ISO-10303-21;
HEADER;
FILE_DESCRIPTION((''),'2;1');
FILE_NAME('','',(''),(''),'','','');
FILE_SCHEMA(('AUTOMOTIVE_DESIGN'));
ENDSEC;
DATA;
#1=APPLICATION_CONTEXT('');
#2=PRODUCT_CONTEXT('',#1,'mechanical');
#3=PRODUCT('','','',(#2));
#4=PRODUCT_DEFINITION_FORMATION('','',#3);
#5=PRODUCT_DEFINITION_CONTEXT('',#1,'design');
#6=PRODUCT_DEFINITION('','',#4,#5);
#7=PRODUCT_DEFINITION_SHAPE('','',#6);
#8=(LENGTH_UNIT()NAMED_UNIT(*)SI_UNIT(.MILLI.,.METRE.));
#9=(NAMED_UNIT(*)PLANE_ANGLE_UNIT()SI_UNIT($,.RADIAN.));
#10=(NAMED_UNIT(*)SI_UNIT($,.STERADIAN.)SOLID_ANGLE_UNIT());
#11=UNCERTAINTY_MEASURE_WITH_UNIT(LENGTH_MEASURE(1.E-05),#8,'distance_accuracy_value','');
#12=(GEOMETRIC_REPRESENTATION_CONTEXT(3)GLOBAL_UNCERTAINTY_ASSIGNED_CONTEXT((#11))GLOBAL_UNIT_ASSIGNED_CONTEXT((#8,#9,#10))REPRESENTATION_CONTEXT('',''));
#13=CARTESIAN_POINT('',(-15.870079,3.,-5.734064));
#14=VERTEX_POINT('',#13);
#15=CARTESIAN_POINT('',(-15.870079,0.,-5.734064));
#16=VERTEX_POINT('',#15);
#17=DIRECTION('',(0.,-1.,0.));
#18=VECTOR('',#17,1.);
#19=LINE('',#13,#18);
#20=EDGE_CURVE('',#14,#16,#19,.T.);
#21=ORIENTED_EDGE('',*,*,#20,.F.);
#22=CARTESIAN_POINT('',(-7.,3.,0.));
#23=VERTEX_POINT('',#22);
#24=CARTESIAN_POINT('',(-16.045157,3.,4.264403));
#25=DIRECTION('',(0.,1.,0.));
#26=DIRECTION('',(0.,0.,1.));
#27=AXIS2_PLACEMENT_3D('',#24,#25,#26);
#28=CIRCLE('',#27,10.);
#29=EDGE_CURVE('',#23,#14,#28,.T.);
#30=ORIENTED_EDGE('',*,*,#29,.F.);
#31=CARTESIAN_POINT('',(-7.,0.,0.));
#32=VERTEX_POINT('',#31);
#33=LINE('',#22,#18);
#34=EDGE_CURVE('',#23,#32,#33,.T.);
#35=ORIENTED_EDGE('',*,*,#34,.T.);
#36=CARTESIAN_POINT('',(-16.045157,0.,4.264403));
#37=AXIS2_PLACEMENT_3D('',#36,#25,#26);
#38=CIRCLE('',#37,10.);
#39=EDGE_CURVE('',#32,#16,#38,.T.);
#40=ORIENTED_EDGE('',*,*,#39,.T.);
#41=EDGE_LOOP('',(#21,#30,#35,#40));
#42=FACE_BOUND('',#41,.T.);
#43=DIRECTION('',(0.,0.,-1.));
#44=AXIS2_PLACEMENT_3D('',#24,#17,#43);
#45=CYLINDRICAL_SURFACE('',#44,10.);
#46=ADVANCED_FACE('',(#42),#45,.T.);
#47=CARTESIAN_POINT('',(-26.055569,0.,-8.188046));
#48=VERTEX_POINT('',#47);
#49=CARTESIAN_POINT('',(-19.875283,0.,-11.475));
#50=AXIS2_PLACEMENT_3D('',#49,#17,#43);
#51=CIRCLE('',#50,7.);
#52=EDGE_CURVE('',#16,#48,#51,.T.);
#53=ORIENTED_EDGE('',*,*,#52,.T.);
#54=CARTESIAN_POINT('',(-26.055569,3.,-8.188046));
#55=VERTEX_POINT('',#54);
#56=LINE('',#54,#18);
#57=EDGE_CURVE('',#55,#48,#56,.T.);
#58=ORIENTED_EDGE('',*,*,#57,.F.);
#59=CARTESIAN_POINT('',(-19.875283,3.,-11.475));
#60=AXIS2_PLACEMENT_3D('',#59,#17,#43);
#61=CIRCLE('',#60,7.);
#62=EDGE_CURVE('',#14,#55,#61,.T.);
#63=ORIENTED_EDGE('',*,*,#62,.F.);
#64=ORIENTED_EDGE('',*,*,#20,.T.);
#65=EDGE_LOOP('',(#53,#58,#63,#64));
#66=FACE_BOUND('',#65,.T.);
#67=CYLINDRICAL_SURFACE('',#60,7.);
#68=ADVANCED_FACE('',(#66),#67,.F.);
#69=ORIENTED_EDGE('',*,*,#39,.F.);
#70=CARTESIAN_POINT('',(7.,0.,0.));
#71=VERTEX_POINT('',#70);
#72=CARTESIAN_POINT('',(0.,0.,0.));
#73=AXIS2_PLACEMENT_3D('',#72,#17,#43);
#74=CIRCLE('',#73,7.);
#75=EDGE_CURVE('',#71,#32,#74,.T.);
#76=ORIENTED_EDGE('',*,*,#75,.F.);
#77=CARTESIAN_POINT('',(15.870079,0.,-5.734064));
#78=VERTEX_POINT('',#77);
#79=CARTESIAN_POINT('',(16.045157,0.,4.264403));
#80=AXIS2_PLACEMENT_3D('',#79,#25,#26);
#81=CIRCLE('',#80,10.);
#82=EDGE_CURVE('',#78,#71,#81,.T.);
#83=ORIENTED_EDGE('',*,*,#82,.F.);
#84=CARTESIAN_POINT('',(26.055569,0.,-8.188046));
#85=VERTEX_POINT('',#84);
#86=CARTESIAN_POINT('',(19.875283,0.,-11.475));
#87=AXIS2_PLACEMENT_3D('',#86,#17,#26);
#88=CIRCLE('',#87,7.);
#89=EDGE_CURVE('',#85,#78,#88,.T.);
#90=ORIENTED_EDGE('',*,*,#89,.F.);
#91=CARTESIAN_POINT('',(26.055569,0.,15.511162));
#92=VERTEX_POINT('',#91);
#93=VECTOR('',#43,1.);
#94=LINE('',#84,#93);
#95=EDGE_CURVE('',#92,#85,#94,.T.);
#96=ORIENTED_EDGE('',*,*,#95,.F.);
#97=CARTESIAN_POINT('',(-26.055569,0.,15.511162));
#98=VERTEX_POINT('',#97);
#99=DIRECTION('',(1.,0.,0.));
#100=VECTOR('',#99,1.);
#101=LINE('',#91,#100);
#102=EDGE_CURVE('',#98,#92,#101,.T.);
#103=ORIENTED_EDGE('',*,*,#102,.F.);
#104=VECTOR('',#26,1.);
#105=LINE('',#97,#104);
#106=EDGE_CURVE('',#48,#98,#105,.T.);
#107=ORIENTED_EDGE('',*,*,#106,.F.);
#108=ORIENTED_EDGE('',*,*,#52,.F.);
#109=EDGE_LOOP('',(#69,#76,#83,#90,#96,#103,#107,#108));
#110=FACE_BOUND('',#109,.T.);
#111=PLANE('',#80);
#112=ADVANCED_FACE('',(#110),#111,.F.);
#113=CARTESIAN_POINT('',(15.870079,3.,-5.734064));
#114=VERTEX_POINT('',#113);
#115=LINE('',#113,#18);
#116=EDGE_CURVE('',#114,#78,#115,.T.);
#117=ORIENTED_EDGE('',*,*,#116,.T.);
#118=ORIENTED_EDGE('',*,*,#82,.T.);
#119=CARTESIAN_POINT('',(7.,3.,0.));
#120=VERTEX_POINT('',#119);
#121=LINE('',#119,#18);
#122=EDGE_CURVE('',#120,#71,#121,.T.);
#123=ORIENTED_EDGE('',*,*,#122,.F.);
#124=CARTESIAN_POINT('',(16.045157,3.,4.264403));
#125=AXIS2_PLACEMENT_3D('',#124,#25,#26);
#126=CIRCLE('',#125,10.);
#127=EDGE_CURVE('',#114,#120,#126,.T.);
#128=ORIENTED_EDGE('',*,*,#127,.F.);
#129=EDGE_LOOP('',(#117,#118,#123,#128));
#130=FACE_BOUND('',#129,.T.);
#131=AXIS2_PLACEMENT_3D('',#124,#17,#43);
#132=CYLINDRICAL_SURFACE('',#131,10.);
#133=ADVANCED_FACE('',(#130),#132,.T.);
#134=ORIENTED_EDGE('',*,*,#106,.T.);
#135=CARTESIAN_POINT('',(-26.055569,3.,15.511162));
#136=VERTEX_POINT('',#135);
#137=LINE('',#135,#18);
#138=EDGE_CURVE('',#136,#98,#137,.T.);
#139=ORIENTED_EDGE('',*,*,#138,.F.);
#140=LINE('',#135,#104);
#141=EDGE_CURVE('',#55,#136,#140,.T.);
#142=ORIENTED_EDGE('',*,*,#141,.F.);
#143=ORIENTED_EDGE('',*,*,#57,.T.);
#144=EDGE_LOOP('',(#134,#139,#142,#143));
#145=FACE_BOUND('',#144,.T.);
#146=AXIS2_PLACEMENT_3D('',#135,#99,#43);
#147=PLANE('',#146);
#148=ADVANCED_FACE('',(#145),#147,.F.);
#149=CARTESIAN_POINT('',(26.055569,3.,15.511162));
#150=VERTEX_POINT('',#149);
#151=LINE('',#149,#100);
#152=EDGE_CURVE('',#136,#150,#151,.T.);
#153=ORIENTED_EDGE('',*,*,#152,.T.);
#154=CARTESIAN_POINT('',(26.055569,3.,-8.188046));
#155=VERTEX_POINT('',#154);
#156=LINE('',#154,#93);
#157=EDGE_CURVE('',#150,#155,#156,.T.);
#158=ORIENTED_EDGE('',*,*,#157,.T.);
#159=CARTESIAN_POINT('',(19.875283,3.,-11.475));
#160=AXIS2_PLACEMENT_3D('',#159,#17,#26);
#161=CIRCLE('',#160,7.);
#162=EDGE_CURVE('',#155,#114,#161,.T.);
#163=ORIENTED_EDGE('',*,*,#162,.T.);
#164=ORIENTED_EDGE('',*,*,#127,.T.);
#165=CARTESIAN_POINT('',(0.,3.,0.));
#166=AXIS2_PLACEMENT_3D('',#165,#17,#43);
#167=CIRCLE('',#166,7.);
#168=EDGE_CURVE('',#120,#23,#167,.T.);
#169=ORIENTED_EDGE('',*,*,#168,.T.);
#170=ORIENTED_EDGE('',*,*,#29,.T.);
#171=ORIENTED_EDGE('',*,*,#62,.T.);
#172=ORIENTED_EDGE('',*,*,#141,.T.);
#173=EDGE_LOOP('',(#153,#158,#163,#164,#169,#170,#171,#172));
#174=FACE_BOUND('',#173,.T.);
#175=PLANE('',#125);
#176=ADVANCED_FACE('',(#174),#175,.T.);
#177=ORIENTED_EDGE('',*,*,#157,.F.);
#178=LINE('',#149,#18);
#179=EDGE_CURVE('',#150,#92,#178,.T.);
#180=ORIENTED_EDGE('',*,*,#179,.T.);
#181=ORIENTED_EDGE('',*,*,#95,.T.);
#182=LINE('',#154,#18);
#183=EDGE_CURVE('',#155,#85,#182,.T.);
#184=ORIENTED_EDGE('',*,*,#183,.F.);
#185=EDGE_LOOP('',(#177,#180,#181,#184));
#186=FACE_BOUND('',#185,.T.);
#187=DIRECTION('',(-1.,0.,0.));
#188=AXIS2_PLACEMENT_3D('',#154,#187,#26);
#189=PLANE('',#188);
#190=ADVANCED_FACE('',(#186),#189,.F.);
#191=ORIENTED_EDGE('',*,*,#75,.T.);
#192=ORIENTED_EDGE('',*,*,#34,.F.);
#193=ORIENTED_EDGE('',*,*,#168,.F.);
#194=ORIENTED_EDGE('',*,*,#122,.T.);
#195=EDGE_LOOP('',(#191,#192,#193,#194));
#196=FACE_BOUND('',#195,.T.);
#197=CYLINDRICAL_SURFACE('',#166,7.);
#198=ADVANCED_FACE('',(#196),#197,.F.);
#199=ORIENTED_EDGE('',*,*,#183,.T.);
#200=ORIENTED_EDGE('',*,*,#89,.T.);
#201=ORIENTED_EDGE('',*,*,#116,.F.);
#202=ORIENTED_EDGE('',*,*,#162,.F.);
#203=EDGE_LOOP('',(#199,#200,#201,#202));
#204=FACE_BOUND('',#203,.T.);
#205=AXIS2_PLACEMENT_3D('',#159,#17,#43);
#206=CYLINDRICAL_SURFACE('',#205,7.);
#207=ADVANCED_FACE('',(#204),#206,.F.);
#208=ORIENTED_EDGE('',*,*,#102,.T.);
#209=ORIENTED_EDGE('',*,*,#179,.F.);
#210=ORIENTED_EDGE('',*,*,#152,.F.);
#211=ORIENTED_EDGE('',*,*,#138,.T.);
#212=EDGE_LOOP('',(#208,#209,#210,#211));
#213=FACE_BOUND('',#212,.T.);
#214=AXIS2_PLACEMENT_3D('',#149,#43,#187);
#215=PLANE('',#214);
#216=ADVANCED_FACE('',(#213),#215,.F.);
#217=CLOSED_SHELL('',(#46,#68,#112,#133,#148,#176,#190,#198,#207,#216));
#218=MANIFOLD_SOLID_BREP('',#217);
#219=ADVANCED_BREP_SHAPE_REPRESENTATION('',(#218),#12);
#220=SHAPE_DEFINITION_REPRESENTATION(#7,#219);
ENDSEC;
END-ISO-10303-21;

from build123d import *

# Parameters (mm, degrees)
BOSS_EXTRUDE1_DEPTH = 3


with BuildPart() as part:
    # Sketch2 → Boss-Extrude1 (new body)
    with BuildSketch(Plane(origin=(0, 0, 0), x_dir=(1, 0, 0), z_dir=(0, 1, 0))):
        with BuildLine():
            Line((26.055569119, 8.188046441), (26.055569119, -15.511162218))
            Line((26.055569119, -15.511162218), (-26.055569119, -15.511162218))
            Line((-26.055569119, -15.511162218), (-26.055569119, 8.188046441))
            ThreePointArc((-26.055569119, 8.188046441), (-21.514872246, 4.669726518), (-15.870079226, 5.73406431))
            ThreePointArc((-15.870079226, 5.73406431), (-10.616247764, 4.133629141), (-7, 0))
            ThreePointArc((-7, 0), (0, -7), (7, 0))
            ThreePointArc((7, 0), (10.616247764, 4.133629141), (15.870079226, 5.73406431))
            ThreePointArc((15.870079226, 5.73406431), (21.514872246, 4.669726518), (26.055569119, 8.188046441))
        make_face()
    extrude(amount=BOSS_EXTRUDE1_DEPTH)


solid = part.part
